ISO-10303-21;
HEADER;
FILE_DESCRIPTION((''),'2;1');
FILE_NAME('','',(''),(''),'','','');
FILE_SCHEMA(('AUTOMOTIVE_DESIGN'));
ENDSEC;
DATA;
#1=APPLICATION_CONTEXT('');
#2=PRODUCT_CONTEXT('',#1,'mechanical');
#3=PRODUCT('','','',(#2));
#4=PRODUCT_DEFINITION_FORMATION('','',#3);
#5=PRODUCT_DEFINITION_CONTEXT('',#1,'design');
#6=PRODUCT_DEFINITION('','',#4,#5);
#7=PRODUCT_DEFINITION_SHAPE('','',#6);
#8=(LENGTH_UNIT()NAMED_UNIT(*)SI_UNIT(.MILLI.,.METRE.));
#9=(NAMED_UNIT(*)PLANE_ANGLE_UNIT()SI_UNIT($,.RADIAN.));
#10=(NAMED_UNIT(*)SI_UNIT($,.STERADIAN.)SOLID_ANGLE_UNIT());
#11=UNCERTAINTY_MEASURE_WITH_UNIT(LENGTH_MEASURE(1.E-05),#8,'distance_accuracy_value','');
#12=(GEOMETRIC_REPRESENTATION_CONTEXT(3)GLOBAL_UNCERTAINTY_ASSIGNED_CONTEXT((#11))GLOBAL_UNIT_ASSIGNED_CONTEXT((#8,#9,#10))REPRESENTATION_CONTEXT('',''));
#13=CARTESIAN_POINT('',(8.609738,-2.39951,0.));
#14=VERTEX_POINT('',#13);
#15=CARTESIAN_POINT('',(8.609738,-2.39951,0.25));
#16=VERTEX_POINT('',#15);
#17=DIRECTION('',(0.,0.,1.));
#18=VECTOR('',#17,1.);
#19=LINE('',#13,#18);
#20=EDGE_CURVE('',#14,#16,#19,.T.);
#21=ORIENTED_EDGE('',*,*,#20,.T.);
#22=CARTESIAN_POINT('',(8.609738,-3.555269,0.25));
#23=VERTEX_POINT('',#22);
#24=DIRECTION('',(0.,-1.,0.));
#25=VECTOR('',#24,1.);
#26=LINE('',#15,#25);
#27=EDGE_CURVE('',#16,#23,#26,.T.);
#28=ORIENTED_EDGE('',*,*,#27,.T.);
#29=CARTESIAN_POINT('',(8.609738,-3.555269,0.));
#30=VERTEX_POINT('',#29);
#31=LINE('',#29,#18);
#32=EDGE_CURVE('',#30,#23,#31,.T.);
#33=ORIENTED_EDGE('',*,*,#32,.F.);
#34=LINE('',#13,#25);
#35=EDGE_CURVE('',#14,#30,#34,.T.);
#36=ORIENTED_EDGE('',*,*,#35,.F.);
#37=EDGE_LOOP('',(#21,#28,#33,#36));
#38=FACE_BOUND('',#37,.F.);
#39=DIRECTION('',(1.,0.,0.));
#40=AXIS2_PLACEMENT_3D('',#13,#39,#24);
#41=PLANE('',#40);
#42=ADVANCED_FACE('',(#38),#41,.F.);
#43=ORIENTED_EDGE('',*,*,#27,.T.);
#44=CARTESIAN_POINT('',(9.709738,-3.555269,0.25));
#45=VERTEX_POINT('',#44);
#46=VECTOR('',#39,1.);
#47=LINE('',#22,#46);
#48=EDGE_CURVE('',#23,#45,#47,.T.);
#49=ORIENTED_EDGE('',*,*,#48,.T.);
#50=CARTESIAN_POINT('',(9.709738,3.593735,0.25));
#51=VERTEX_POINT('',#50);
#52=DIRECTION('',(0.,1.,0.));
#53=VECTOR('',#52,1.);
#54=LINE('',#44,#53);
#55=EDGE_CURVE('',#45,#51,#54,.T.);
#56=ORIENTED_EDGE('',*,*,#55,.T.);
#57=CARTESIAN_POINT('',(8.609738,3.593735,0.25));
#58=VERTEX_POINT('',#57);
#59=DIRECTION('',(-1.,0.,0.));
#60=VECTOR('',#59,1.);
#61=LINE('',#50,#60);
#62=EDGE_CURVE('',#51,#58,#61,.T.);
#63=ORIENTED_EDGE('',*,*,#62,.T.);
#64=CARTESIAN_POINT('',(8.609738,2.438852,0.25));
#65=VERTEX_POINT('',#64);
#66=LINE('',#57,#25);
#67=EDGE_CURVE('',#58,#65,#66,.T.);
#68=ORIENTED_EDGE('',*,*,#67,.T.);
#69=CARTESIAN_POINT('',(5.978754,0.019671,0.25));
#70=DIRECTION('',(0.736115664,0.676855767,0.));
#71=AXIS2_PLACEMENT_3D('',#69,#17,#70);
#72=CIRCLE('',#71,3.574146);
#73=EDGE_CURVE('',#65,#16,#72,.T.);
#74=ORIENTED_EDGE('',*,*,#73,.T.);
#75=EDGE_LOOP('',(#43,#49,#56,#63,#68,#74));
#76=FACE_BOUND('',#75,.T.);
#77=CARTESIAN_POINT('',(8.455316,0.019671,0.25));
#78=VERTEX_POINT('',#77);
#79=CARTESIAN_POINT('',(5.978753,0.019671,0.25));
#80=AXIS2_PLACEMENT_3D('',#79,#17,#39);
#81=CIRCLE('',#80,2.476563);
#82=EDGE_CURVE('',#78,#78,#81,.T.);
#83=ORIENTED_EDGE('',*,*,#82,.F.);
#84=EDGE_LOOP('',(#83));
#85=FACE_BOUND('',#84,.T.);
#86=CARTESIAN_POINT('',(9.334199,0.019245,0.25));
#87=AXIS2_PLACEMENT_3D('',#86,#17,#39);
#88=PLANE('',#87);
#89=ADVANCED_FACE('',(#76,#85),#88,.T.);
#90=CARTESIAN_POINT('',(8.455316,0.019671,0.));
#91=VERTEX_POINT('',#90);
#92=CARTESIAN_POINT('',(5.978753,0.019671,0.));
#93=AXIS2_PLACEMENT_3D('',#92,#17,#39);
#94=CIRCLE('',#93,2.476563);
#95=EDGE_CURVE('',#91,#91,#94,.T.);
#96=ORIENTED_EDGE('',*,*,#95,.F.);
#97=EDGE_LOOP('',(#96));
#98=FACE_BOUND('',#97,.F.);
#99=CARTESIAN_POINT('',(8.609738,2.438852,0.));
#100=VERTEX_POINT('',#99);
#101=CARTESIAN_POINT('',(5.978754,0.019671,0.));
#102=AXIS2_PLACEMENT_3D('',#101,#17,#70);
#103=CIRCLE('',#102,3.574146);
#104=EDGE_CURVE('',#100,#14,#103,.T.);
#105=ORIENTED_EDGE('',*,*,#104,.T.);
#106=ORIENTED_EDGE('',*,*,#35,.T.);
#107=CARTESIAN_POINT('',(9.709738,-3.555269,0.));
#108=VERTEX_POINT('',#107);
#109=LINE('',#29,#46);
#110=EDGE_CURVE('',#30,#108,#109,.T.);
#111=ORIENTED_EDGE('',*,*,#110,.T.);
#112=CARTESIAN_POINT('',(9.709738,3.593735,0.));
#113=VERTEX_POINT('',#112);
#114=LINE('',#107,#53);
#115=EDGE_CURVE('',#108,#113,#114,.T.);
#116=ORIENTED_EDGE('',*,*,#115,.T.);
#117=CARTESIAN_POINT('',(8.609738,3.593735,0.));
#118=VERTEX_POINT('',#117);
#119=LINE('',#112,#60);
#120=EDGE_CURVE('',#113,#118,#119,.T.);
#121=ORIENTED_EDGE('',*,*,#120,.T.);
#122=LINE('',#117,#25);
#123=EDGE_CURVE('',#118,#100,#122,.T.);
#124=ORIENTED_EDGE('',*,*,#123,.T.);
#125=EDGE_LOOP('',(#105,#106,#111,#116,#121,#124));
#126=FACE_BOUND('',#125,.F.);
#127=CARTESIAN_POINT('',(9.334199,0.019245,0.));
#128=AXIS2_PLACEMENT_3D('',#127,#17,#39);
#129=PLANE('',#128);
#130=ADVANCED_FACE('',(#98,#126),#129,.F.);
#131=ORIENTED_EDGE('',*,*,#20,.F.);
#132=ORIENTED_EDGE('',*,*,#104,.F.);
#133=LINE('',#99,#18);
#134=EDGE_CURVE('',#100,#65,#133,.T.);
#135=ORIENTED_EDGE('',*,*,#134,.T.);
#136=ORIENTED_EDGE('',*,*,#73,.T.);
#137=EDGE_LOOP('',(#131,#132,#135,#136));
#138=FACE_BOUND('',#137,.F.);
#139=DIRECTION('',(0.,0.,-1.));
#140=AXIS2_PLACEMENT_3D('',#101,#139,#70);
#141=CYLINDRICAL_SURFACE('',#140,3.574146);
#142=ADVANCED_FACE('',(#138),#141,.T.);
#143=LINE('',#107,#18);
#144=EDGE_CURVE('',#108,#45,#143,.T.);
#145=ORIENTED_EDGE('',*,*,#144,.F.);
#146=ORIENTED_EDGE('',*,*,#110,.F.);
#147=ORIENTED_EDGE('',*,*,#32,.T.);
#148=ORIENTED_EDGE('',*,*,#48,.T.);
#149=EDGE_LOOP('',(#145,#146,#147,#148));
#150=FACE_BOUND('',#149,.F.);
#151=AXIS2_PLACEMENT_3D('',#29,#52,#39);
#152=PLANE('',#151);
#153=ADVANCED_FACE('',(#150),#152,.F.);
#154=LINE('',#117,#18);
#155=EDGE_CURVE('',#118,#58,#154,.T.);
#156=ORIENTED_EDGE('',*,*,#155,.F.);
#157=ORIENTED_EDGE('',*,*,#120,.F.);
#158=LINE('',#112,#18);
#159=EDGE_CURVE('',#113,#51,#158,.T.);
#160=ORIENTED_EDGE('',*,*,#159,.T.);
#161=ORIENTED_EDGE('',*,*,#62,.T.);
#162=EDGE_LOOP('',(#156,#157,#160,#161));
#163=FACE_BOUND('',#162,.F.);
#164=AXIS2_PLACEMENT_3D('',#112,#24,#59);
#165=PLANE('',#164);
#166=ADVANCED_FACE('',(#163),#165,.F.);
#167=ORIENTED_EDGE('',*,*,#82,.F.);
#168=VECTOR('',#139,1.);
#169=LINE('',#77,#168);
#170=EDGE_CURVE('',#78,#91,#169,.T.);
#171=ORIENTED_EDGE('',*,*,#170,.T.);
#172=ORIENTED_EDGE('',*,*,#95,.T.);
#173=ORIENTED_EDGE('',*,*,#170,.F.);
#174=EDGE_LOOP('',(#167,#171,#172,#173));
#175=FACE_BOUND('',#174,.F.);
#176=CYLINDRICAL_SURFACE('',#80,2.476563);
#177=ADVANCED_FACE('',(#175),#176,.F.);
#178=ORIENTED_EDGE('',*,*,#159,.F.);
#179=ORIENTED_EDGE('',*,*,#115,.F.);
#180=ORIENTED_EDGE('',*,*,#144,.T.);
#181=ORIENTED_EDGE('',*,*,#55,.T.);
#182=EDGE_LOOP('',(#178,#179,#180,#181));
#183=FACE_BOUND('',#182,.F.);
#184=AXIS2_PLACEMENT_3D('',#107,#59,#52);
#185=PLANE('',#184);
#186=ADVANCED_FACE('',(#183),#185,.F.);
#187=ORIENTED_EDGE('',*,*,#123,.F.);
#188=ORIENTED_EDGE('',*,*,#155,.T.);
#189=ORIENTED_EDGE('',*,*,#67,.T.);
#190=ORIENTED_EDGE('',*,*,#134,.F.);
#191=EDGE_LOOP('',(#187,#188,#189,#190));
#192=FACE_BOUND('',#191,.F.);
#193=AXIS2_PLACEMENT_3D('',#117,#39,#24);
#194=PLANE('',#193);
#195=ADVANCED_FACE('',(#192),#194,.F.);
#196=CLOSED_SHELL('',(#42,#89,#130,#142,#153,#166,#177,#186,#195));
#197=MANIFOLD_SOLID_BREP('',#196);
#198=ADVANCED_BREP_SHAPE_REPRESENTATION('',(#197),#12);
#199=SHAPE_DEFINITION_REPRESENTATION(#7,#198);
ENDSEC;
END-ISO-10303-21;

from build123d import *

# Parameters (mm, degrees)
F0_R     = 2.474548
F1_DEPTH = 0.25
F2_DEPTH = 0.25
F3_R     = 2.476563
F4_DEPTH = 0.25


with BuildPart() as f1:
    # F0 (on Top) → F1 (new body)
    with BuildSketch(Plane.XY):
        with BuildLine():
            Line((8.609738, -2.39951), (8.609738, 2.438852))
            ThreePointArc((8.609738, 2.438852), (2.404608, 0.019671), (8.609738, -2.39951))
        make_face()
        with Locations((5.978753, 0.019671)):
            Circle(F0_R, mode=Mode.SUBTRACT)
        with Locations((5.978753, 0.019671)):
            Circle(F0_R)
        with BuildLine():
            ThreePointArc((8.609738, -2.39951), (9.308771, -1.278596), (9.552899, 0.019671))
            ThreePointArc((9.552899, 0.019671), (9.308771, 1.317938), (8.609738, 2.438852))
            Line((8.609738, 2.438852), (8.609738, -2.39951))
        make_face()
    extrude(amount=F1_DEPTH)

    # F0 (on Top) → F2 (join)
    with BuildSketch(Plane.XY):
        with BuildLine():
            ThreePointArc((8.609738, 2.438852), (9.308771, 1.317938), (9.552899, 0.019671))
            ThreePointArc((9.552899, 0.019671), (9.308771, -1.278596), (8.609738, -2.39951))
            Line((8.609738, -2.39951), (8.609738, -3.555269))
            Line((8.609738, -3.555269), (9.709738, -3.555269))
            Line((9.709738, -3.555269), (9.709738, 3.593735))
            Line((9.709738, 3.593735), (8.609738, 3.593735))
            Line((8.609738, 3.593735), (8.609738, 2.438852))
        make_face()
    extrude(amount=F2_DEPTH)

    # F3 (on face) → F4 (cut)
    with BuildSketch(Plane.XY.offset(0.25)):
        with Locations((5.978753, 0.019671)):
            Circle(F3_R)
    extrude(amount=-F4_DEPTH, mode=Mode.SUBTRACT)


solid = f1.part
